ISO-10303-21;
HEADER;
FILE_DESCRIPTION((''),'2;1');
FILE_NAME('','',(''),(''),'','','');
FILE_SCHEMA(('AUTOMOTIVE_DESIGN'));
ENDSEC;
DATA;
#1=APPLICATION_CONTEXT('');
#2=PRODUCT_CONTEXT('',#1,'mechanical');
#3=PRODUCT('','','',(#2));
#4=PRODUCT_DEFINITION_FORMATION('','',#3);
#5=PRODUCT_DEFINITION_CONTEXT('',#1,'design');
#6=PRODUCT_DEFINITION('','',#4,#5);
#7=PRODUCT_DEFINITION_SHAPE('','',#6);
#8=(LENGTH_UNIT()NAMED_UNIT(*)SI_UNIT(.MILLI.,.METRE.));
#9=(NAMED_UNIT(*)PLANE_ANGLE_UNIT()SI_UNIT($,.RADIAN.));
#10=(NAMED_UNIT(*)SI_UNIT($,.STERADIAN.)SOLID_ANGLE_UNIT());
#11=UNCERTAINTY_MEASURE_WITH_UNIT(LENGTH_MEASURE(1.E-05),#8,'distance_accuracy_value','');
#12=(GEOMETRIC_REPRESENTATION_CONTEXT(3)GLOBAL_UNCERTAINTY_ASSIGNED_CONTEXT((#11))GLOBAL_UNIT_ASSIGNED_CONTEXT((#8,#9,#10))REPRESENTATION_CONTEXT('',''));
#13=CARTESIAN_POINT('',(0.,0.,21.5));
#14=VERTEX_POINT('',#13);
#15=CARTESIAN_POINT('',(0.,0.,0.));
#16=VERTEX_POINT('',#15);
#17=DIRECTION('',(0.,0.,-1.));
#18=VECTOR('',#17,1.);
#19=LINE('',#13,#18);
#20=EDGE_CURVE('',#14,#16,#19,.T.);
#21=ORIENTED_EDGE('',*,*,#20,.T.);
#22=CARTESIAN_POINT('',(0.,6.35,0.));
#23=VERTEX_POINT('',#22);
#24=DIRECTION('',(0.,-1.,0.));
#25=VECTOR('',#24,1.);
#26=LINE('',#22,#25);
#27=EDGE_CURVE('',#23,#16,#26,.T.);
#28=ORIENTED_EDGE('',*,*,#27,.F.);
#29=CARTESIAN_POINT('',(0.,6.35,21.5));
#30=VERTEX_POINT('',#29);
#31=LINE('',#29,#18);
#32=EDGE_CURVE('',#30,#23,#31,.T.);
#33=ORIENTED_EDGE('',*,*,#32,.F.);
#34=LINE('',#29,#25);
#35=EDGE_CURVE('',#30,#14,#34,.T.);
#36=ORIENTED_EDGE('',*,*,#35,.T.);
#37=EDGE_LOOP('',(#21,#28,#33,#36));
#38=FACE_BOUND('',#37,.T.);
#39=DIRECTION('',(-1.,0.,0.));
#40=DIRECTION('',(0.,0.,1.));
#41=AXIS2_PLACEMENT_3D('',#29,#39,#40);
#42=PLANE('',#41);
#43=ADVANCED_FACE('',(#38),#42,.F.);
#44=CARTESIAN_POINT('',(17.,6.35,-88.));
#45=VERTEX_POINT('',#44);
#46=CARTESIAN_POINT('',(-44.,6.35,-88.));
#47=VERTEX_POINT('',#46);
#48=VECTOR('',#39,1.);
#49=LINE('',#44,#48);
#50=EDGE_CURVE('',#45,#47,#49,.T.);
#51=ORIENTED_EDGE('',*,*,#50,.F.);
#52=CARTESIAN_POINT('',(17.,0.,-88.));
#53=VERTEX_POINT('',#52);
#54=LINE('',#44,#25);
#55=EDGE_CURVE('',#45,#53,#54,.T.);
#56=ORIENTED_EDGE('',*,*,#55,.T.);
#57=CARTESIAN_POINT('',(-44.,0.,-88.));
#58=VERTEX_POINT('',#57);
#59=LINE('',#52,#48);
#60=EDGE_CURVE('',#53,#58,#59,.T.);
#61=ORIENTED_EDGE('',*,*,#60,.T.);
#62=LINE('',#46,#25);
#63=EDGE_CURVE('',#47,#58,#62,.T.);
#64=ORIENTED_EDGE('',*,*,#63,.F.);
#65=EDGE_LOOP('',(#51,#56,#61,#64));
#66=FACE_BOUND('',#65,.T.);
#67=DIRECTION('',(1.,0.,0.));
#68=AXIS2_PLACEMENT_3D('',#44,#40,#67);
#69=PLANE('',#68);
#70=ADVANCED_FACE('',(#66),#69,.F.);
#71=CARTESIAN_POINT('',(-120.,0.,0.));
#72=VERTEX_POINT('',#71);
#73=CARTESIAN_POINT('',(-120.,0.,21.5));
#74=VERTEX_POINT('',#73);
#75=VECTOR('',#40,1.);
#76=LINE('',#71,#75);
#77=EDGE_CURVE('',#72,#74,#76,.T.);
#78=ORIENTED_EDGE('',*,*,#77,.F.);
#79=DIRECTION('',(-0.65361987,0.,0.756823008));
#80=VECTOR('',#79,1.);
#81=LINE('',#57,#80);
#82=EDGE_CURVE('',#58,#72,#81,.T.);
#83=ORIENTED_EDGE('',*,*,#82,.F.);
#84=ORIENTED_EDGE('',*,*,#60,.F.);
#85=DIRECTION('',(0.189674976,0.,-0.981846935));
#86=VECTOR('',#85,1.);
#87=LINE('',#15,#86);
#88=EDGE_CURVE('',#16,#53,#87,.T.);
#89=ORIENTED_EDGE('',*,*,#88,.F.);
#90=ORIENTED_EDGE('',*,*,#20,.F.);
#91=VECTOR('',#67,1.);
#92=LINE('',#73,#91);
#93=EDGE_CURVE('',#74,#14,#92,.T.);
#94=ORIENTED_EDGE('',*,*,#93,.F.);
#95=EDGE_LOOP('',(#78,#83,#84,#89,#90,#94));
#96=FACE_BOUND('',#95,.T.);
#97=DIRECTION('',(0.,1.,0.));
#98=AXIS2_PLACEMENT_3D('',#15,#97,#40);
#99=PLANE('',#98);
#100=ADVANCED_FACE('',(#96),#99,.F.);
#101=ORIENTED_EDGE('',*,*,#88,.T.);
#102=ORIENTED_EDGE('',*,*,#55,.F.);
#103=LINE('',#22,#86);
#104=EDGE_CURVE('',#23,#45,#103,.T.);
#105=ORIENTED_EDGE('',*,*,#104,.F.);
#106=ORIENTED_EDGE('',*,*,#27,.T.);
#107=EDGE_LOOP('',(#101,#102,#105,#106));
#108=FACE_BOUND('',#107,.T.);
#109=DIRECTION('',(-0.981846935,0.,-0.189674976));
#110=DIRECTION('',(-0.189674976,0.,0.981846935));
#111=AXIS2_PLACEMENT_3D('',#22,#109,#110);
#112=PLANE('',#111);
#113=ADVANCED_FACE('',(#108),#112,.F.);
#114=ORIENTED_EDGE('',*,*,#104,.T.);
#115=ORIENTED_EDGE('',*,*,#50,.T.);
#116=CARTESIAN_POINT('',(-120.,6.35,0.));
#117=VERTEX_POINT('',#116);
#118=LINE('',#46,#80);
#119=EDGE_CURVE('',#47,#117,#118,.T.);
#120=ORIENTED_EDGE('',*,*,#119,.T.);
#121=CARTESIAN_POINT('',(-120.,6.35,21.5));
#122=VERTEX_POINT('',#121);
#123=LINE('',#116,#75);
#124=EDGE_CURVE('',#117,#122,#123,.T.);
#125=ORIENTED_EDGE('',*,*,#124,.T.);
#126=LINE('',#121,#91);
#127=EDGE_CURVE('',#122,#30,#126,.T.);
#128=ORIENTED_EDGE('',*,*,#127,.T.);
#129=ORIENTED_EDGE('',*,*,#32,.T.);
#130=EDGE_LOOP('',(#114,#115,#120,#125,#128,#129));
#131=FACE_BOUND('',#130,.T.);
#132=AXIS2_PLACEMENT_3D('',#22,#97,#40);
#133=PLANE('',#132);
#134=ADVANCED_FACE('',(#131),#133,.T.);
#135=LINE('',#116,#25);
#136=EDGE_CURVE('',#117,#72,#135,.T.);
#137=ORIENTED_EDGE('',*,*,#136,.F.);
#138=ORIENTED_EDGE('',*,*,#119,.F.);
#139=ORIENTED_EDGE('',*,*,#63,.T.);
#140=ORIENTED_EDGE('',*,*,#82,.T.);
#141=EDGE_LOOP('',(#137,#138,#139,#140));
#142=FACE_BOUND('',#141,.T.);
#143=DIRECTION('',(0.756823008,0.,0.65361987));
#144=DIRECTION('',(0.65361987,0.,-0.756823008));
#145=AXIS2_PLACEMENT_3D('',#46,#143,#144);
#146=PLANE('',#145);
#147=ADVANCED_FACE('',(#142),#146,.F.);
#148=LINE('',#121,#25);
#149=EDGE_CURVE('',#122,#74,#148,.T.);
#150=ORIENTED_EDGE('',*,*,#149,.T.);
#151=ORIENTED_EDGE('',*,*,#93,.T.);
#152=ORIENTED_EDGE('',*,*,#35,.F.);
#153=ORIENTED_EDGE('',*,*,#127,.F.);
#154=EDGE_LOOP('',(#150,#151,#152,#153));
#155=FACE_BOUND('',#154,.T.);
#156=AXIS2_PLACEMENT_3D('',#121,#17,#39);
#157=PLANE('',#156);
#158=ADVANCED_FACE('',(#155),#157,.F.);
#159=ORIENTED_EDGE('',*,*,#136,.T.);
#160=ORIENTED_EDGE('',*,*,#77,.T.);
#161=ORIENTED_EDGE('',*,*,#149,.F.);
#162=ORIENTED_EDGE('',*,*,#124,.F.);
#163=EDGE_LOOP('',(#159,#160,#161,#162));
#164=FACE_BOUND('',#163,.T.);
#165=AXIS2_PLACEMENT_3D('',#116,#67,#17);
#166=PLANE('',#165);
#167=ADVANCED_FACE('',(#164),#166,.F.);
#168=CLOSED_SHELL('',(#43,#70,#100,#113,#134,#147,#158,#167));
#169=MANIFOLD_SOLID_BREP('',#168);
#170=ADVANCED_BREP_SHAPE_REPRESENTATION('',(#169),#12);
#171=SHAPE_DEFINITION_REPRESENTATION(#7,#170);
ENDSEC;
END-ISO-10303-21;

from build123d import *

# Parameters (mm, degrees)
BOSS_EXTRUDE1_DEPTH = 6.35
SKETCH3_W           = 120
SKETCH3_H           = 21.5
BOSS_EXTRUDE2_DEPTH = 6.35


with BuildPart() as part:
    # Sketch1 → Boss-Extrude1 (new body)
    with BuildSketch(Plane(origin=(0, 0, 0), x_dir=(1, 0, 0), z_dir=(0, 1, 0))):
        Polygon((-120, 0), (0, 0), (17, 88), (-44, 88), align=None)
    extrude(amount=BOSS_EXTRUDE1_DEPTH)

    # Sketch3 → Boss-Extrude2 (add)
    with BuildSketch(Plane(origin=(0, 0, 0), x_dir=(1, 0, 0), z_dir=(0, 1, 0))):
        with Locations((-60, -10.75)):
            Rectangle(SKETCH3_W, SKETCH3_H)
    extrude(amount=BOSS_EXTRUDE2_DEPTH)


solid = part.part
